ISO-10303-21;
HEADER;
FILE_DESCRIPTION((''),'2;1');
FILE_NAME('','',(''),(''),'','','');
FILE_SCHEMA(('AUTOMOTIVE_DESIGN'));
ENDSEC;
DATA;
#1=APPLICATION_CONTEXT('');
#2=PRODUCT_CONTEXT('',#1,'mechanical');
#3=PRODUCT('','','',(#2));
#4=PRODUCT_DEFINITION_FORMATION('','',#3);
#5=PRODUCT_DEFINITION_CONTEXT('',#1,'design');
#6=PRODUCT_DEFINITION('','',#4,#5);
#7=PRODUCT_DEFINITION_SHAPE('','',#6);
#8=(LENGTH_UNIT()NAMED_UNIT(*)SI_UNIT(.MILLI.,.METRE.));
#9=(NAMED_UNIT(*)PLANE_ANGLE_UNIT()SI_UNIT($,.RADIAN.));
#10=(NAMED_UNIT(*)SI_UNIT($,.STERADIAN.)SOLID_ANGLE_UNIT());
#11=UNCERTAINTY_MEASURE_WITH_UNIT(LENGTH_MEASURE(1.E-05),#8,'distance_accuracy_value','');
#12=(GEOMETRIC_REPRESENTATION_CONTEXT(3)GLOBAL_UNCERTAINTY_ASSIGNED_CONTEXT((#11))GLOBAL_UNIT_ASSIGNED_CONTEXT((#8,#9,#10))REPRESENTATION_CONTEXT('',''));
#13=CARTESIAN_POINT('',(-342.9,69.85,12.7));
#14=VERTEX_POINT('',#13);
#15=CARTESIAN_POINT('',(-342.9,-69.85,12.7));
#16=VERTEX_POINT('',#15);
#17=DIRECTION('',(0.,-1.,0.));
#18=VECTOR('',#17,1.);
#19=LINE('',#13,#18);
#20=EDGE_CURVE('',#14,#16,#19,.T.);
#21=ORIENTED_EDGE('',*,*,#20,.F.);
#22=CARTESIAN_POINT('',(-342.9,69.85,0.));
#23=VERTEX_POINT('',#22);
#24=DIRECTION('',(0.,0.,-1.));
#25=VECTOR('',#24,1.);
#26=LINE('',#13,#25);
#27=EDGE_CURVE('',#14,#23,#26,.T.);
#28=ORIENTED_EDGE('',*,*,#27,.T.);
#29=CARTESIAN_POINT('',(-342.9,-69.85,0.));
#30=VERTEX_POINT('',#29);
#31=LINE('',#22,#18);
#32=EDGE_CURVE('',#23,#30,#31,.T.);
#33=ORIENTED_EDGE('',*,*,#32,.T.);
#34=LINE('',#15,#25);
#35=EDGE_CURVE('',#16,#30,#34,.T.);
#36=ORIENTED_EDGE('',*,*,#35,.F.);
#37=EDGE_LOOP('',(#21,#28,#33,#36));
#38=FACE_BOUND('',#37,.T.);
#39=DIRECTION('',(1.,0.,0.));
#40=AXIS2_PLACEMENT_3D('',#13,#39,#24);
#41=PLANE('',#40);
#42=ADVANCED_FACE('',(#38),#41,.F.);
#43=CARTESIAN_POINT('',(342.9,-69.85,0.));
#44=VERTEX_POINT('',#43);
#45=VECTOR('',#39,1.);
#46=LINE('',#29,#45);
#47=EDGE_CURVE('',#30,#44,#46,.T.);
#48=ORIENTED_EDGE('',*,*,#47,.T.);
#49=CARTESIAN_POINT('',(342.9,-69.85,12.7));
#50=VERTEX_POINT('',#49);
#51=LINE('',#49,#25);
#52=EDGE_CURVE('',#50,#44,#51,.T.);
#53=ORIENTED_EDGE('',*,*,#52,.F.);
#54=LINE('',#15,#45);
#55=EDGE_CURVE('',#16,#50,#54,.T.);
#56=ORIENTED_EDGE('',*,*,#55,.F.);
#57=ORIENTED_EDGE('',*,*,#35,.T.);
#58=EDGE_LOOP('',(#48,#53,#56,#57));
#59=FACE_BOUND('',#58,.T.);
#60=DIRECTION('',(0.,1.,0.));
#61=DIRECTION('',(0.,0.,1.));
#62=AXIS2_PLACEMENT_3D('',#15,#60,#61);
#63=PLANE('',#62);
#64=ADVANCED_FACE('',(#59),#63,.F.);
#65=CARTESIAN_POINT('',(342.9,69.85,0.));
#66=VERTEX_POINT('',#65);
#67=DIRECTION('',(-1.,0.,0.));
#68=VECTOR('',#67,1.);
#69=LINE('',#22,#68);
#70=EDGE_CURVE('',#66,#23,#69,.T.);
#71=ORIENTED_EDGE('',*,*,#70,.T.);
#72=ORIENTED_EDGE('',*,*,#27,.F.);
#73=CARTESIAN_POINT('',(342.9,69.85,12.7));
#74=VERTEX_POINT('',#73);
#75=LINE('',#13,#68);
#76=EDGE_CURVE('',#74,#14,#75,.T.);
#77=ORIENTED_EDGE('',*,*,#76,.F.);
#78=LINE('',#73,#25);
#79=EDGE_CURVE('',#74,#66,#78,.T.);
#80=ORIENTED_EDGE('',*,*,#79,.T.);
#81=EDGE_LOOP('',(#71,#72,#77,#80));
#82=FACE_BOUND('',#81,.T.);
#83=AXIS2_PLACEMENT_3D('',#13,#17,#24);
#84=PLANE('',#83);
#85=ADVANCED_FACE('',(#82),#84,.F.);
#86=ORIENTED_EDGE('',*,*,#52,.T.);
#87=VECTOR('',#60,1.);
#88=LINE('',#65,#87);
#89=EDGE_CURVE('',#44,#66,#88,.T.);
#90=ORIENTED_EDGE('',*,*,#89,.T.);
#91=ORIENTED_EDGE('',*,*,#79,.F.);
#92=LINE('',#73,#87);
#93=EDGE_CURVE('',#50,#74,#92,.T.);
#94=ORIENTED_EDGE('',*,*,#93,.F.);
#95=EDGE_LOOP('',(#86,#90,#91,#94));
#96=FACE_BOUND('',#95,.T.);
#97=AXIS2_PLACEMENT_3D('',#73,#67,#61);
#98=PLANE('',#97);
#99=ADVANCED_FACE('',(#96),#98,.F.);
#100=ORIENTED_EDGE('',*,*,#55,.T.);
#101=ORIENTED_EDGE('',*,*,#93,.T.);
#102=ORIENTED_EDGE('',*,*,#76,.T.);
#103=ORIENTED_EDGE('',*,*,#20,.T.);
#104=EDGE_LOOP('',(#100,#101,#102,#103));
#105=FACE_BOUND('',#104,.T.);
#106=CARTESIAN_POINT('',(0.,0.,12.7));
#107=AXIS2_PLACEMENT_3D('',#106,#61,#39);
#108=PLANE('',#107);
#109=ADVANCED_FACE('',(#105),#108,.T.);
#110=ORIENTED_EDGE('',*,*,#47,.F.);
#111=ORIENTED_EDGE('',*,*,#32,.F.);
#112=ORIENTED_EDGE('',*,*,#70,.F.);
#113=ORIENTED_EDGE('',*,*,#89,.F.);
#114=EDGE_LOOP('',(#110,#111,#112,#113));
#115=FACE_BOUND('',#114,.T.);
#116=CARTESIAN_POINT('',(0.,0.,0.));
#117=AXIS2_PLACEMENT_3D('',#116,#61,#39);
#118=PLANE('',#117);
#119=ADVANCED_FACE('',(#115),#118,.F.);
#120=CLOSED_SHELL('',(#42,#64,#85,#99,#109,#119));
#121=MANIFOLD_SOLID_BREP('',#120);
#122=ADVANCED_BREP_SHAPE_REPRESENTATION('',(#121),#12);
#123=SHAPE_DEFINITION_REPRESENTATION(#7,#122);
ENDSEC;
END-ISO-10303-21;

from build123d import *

# Parameters (mm, degrees)
SKETCH1_W           = 685.8
SKETCH1_H           = 139.7
BOSS_EXTRUDE1_DEPTH = 12.7


with BuildPart() as part:
    # Sketch1 → Boss-Extrude1 (new body)
    with BuildSketch(Plane.XY):
        Rectangle(SKETCH1_W, SKETCH1_H)
    extrude(amount=BOSS_EXTRUDE1_DEPTH)


solid = part.part
